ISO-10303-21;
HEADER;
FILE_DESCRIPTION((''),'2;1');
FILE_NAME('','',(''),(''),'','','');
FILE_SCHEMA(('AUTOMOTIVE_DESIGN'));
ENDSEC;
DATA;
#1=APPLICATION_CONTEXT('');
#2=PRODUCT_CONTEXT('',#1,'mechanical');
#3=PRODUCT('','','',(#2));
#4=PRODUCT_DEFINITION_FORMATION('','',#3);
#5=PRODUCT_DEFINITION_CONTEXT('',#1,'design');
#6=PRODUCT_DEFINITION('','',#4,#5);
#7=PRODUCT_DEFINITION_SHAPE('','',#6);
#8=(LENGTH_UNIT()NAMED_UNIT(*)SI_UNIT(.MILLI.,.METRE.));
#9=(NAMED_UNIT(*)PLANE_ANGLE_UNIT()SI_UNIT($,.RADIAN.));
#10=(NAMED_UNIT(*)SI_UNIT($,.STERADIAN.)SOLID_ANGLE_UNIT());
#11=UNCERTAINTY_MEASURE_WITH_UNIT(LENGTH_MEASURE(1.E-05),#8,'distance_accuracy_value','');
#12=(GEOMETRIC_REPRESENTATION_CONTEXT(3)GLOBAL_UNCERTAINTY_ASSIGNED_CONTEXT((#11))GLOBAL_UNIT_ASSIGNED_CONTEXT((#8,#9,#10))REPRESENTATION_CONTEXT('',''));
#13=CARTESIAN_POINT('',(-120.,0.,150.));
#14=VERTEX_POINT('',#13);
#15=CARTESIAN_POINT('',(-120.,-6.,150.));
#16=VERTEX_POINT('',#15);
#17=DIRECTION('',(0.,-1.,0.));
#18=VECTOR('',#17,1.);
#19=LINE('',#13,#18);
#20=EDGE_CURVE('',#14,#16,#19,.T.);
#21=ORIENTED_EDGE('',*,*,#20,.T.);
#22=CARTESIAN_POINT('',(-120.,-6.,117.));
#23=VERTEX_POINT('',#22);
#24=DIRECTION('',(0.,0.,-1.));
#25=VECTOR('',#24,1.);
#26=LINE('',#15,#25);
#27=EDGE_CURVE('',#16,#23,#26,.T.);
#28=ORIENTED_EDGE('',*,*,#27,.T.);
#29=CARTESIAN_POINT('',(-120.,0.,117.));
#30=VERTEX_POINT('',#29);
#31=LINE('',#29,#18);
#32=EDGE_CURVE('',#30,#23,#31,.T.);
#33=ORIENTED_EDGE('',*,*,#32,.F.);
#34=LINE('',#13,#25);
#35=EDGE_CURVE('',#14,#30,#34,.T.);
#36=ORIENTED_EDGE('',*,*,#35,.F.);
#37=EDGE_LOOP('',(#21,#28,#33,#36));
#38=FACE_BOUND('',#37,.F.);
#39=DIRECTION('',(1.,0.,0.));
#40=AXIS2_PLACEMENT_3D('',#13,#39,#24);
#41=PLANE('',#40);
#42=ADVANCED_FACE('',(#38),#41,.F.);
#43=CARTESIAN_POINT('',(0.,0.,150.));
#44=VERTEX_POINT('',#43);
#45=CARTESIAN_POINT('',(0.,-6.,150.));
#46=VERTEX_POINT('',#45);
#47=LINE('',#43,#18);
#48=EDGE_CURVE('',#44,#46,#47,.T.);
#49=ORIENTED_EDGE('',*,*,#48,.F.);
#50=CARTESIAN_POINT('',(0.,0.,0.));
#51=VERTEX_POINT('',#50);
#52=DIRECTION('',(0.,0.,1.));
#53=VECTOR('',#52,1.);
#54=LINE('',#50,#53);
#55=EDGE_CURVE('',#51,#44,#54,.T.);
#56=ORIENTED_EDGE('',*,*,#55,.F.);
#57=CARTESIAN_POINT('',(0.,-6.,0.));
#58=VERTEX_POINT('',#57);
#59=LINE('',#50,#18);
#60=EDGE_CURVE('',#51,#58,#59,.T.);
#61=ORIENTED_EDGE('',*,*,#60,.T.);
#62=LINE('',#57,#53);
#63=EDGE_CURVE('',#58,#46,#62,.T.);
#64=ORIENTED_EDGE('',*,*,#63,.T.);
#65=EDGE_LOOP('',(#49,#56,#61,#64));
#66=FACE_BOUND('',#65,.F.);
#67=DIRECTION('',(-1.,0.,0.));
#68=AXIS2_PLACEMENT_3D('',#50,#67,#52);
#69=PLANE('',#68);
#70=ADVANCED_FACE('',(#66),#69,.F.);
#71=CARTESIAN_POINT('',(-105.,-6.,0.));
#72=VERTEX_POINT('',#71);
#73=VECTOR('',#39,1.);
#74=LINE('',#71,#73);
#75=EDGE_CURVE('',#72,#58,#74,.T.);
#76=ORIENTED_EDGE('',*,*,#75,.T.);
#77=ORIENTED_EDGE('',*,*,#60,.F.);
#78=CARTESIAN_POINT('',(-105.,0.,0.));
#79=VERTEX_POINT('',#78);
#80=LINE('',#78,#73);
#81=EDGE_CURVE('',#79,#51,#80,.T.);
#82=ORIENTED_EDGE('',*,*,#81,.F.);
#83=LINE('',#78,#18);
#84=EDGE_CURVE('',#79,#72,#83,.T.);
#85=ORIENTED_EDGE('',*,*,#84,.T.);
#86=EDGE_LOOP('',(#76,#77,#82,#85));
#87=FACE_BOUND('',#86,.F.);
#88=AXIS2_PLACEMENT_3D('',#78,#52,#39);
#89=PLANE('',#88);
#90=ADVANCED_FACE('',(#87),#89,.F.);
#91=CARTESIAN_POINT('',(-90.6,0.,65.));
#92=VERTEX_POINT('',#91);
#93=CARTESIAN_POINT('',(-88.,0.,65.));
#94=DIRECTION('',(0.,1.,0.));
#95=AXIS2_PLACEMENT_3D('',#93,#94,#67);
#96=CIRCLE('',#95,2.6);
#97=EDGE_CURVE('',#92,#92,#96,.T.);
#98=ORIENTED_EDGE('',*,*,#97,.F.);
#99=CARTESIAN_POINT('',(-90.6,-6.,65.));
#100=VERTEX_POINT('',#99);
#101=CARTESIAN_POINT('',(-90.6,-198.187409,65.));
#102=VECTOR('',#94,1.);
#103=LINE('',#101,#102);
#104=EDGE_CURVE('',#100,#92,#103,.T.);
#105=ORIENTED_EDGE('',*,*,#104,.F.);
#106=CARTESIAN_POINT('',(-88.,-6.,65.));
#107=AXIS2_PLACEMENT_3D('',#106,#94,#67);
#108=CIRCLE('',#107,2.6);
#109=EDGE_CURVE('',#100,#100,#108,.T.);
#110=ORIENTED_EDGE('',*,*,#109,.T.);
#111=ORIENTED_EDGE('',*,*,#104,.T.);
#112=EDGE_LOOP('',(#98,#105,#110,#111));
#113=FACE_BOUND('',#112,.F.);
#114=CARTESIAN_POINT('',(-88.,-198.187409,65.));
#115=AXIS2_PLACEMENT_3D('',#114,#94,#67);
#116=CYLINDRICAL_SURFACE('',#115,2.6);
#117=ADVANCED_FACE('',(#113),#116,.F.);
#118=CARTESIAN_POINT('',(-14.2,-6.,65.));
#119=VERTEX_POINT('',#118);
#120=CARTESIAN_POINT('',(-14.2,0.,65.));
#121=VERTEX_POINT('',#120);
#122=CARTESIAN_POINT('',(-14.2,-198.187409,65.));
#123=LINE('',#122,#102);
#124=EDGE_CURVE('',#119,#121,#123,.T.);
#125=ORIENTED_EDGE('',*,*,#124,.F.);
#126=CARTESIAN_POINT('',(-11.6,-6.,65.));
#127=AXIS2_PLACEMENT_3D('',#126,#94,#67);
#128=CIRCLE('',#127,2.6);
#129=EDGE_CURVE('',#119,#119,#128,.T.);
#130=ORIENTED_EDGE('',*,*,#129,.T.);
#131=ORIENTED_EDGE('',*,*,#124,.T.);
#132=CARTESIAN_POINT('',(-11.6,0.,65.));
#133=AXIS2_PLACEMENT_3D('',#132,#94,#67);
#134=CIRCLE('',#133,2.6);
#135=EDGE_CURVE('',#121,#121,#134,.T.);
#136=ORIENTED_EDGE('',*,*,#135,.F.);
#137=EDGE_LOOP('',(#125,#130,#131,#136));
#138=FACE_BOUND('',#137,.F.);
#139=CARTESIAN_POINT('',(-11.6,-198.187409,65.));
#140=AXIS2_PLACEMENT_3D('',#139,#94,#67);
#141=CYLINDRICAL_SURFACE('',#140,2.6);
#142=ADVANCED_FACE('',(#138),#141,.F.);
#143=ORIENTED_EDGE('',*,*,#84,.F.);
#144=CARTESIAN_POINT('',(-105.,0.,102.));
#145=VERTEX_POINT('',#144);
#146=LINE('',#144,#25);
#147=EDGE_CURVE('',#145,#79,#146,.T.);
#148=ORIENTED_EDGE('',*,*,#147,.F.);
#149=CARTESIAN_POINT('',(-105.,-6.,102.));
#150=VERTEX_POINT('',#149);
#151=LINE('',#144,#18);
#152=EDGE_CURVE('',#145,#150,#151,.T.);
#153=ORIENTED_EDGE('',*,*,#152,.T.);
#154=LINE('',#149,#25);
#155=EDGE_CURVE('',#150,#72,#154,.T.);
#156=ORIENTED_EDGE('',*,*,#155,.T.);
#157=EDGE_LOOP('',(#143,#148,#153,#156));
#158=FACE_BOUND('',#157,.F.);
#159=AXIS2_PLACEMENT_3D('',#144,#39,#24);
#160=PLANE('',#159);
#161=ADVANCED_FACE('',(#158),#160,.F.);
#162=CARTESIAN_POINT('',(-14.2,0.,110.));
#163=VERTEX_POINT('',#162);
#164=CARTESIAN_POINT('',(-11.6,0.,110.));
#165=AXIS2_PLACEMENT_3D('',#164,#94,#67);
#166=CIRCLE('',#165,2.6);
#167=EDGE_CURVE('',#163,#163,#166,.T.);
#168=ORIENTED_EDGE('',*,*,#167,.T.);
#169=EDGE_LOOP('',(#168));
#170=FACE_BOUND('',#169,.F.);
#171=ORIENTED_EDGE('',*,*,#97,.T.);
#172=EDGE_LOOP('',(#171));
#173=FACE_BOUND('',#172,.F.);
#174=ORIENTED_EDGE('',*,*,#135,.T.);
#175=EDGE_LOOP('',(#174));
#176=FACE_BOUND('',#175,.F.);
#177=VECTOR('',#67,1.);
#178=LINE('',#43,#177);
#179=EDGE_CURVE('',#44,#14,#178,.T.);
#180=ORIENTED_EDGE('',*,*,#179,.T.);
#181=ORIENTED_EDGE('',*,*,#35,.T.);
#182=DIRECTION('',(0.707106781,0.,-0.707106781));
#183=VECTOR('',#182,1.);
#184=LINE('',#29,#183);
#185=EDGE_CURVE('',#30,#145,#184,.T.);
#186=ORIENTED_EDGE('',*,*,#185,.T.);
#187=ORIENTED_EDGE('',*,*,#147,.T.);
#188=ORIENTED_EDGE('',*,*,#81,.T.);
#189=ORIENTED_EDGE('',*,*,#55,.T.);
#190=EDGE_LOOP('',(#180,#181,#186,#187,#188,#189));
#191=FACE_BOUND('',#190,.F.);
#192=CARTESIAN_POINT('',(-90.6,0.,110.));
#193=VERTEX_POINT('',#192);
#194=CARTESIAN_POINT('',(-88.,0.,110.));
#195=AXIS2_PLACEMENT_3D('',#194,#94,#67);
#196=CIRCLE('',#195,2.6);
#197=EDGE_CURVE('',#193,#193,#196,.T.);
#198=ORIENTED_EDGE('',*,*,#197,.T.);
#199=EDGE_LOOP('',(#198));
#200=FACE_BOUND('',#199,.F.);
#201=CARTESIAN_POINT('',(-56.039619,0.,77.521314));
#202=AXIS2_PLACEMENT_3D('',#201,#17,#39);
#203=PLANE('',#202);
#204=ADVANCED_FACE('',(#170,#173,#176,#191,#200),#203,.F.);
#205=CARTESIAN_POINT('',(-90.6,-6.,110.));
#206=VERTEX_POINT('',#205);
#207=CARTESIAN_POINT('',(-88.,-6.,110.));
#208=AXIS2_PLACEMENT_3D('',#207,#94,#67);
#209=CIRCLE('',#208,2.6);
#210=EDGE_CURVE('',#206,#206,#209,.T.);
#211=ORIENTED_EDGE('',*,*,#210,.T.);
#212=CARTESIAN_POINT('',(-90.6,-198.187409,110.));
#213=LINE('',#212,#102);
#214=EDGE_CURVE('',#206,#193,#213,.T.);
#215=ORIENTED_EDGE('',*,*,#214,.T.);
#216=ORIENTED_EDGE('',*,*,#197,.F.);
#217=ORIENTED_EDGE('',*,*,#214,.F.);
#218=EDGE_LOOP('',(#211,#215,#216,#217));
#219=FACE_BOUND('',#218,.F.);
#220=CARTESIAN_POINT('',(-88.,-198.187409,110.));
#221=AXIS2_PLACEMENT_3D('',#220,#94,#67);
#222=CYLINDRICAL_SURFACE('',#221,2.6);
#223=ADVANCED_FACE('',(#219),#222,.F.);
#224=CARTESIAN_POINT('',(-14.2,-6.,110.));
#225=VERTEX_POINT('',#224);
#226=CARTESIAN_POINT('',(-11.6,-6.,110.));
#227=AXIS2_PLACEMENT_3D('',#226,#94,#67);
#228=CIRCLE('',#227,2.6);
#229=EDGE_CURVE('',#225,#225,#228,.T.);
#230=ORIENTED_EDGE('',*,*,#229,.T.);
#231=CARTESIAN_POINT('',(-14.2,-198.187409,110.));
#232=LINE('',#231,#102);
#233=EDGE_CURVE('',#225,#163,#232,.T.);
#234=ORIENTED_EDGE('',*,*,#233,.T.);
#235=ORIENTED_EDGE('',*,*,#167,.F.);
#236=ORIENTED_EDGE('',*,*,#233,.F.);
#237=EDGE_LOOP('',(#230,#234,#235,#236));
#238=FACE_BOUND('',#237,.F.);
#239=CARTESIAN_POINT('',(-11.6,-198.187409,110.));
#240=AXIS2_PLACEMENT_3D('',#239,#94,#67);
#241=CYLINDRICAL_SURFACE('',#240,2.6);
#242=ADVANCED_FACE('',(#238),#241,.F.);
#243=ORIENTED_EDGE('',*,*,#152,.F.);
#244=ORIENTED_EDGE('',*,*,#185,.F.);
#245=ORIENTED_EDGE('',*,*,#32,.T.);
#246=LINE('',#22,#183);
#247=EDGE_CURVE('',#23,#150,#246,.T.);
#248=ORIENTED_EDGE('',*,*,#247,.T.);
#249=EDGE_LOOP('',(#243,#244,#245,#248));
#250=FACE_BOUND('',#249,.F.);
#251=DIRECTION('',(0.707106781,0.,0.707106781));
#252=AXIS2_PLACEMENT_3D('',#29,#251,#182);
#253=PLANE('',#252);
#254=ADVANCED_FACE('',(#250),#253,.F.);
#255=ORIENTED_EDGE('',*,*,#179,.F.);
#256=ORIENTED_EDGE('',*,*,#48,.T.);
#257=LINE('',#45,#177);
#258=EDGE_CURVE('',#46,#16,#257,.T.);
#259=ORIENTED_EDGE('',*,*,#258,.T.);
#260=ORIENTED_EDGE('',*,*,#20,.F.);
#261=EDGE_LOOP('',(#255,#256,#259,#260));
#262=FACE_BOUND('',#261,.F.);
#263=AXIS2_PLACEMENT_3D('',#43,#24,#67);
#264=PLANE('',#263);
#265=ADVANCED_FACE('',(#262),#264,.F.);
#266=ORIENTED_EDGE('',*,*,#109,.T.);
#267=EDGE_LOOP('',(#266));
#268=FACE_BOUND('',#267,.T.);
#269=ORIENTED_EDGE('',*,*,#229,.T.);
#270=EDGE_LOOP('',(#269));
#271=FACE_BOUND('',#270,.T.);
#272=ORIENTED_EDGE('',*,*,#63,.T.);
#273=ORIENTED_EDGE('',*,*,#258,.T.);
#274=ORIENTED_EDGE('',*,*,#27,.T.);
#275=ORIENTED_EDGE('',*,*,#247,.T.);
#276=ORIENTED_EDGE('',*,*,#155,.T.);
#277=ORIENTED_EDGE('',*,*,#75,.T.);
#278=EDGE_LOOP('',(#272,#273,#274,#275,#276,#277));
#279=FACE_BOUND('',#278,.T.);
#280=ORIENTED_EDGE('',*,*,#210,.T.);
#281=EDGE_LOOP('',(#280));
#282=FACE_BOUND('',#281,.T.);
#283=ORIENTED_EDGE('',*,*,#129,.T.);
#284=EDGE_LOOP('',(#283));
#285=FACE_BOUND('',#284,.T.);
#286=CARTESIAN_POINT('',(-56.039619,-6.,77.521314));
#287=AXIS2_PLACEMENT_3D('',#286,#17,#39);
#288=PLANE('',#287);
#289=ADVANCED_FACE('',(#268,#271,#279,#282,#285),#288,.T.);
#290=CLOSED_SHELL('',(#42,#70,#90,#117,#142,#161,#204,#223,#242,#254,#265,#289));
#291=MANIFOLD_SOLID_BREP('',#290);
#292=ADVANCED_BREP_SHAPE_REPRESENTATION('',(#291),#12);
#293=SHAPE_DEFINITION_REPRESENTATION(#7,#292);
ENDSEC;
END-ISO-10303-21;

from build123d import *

# Parameters (mm, degrees)
F1_DEPTH = 6
F3_D     = 5.2


with BuildPart() as f1:
    # F0 (on Front) → F1 (new body)
    with BuildSketch(Plane.XZ):
        Polygon((-105, 0), (0, 0), (0, 150), (-120, 150), (-120, 117), (-105, 102), align=None)
    extrude(amount=F1_DEPTH)

    # F3 (through all)
    with Locations(Plane.XZ.offset(6)):
        with Locations((-11.6, 110), (-88, 110), (-88, 65), (-11.6, 65)):
            Hole(F3_D / 2)


solid = f1.part
